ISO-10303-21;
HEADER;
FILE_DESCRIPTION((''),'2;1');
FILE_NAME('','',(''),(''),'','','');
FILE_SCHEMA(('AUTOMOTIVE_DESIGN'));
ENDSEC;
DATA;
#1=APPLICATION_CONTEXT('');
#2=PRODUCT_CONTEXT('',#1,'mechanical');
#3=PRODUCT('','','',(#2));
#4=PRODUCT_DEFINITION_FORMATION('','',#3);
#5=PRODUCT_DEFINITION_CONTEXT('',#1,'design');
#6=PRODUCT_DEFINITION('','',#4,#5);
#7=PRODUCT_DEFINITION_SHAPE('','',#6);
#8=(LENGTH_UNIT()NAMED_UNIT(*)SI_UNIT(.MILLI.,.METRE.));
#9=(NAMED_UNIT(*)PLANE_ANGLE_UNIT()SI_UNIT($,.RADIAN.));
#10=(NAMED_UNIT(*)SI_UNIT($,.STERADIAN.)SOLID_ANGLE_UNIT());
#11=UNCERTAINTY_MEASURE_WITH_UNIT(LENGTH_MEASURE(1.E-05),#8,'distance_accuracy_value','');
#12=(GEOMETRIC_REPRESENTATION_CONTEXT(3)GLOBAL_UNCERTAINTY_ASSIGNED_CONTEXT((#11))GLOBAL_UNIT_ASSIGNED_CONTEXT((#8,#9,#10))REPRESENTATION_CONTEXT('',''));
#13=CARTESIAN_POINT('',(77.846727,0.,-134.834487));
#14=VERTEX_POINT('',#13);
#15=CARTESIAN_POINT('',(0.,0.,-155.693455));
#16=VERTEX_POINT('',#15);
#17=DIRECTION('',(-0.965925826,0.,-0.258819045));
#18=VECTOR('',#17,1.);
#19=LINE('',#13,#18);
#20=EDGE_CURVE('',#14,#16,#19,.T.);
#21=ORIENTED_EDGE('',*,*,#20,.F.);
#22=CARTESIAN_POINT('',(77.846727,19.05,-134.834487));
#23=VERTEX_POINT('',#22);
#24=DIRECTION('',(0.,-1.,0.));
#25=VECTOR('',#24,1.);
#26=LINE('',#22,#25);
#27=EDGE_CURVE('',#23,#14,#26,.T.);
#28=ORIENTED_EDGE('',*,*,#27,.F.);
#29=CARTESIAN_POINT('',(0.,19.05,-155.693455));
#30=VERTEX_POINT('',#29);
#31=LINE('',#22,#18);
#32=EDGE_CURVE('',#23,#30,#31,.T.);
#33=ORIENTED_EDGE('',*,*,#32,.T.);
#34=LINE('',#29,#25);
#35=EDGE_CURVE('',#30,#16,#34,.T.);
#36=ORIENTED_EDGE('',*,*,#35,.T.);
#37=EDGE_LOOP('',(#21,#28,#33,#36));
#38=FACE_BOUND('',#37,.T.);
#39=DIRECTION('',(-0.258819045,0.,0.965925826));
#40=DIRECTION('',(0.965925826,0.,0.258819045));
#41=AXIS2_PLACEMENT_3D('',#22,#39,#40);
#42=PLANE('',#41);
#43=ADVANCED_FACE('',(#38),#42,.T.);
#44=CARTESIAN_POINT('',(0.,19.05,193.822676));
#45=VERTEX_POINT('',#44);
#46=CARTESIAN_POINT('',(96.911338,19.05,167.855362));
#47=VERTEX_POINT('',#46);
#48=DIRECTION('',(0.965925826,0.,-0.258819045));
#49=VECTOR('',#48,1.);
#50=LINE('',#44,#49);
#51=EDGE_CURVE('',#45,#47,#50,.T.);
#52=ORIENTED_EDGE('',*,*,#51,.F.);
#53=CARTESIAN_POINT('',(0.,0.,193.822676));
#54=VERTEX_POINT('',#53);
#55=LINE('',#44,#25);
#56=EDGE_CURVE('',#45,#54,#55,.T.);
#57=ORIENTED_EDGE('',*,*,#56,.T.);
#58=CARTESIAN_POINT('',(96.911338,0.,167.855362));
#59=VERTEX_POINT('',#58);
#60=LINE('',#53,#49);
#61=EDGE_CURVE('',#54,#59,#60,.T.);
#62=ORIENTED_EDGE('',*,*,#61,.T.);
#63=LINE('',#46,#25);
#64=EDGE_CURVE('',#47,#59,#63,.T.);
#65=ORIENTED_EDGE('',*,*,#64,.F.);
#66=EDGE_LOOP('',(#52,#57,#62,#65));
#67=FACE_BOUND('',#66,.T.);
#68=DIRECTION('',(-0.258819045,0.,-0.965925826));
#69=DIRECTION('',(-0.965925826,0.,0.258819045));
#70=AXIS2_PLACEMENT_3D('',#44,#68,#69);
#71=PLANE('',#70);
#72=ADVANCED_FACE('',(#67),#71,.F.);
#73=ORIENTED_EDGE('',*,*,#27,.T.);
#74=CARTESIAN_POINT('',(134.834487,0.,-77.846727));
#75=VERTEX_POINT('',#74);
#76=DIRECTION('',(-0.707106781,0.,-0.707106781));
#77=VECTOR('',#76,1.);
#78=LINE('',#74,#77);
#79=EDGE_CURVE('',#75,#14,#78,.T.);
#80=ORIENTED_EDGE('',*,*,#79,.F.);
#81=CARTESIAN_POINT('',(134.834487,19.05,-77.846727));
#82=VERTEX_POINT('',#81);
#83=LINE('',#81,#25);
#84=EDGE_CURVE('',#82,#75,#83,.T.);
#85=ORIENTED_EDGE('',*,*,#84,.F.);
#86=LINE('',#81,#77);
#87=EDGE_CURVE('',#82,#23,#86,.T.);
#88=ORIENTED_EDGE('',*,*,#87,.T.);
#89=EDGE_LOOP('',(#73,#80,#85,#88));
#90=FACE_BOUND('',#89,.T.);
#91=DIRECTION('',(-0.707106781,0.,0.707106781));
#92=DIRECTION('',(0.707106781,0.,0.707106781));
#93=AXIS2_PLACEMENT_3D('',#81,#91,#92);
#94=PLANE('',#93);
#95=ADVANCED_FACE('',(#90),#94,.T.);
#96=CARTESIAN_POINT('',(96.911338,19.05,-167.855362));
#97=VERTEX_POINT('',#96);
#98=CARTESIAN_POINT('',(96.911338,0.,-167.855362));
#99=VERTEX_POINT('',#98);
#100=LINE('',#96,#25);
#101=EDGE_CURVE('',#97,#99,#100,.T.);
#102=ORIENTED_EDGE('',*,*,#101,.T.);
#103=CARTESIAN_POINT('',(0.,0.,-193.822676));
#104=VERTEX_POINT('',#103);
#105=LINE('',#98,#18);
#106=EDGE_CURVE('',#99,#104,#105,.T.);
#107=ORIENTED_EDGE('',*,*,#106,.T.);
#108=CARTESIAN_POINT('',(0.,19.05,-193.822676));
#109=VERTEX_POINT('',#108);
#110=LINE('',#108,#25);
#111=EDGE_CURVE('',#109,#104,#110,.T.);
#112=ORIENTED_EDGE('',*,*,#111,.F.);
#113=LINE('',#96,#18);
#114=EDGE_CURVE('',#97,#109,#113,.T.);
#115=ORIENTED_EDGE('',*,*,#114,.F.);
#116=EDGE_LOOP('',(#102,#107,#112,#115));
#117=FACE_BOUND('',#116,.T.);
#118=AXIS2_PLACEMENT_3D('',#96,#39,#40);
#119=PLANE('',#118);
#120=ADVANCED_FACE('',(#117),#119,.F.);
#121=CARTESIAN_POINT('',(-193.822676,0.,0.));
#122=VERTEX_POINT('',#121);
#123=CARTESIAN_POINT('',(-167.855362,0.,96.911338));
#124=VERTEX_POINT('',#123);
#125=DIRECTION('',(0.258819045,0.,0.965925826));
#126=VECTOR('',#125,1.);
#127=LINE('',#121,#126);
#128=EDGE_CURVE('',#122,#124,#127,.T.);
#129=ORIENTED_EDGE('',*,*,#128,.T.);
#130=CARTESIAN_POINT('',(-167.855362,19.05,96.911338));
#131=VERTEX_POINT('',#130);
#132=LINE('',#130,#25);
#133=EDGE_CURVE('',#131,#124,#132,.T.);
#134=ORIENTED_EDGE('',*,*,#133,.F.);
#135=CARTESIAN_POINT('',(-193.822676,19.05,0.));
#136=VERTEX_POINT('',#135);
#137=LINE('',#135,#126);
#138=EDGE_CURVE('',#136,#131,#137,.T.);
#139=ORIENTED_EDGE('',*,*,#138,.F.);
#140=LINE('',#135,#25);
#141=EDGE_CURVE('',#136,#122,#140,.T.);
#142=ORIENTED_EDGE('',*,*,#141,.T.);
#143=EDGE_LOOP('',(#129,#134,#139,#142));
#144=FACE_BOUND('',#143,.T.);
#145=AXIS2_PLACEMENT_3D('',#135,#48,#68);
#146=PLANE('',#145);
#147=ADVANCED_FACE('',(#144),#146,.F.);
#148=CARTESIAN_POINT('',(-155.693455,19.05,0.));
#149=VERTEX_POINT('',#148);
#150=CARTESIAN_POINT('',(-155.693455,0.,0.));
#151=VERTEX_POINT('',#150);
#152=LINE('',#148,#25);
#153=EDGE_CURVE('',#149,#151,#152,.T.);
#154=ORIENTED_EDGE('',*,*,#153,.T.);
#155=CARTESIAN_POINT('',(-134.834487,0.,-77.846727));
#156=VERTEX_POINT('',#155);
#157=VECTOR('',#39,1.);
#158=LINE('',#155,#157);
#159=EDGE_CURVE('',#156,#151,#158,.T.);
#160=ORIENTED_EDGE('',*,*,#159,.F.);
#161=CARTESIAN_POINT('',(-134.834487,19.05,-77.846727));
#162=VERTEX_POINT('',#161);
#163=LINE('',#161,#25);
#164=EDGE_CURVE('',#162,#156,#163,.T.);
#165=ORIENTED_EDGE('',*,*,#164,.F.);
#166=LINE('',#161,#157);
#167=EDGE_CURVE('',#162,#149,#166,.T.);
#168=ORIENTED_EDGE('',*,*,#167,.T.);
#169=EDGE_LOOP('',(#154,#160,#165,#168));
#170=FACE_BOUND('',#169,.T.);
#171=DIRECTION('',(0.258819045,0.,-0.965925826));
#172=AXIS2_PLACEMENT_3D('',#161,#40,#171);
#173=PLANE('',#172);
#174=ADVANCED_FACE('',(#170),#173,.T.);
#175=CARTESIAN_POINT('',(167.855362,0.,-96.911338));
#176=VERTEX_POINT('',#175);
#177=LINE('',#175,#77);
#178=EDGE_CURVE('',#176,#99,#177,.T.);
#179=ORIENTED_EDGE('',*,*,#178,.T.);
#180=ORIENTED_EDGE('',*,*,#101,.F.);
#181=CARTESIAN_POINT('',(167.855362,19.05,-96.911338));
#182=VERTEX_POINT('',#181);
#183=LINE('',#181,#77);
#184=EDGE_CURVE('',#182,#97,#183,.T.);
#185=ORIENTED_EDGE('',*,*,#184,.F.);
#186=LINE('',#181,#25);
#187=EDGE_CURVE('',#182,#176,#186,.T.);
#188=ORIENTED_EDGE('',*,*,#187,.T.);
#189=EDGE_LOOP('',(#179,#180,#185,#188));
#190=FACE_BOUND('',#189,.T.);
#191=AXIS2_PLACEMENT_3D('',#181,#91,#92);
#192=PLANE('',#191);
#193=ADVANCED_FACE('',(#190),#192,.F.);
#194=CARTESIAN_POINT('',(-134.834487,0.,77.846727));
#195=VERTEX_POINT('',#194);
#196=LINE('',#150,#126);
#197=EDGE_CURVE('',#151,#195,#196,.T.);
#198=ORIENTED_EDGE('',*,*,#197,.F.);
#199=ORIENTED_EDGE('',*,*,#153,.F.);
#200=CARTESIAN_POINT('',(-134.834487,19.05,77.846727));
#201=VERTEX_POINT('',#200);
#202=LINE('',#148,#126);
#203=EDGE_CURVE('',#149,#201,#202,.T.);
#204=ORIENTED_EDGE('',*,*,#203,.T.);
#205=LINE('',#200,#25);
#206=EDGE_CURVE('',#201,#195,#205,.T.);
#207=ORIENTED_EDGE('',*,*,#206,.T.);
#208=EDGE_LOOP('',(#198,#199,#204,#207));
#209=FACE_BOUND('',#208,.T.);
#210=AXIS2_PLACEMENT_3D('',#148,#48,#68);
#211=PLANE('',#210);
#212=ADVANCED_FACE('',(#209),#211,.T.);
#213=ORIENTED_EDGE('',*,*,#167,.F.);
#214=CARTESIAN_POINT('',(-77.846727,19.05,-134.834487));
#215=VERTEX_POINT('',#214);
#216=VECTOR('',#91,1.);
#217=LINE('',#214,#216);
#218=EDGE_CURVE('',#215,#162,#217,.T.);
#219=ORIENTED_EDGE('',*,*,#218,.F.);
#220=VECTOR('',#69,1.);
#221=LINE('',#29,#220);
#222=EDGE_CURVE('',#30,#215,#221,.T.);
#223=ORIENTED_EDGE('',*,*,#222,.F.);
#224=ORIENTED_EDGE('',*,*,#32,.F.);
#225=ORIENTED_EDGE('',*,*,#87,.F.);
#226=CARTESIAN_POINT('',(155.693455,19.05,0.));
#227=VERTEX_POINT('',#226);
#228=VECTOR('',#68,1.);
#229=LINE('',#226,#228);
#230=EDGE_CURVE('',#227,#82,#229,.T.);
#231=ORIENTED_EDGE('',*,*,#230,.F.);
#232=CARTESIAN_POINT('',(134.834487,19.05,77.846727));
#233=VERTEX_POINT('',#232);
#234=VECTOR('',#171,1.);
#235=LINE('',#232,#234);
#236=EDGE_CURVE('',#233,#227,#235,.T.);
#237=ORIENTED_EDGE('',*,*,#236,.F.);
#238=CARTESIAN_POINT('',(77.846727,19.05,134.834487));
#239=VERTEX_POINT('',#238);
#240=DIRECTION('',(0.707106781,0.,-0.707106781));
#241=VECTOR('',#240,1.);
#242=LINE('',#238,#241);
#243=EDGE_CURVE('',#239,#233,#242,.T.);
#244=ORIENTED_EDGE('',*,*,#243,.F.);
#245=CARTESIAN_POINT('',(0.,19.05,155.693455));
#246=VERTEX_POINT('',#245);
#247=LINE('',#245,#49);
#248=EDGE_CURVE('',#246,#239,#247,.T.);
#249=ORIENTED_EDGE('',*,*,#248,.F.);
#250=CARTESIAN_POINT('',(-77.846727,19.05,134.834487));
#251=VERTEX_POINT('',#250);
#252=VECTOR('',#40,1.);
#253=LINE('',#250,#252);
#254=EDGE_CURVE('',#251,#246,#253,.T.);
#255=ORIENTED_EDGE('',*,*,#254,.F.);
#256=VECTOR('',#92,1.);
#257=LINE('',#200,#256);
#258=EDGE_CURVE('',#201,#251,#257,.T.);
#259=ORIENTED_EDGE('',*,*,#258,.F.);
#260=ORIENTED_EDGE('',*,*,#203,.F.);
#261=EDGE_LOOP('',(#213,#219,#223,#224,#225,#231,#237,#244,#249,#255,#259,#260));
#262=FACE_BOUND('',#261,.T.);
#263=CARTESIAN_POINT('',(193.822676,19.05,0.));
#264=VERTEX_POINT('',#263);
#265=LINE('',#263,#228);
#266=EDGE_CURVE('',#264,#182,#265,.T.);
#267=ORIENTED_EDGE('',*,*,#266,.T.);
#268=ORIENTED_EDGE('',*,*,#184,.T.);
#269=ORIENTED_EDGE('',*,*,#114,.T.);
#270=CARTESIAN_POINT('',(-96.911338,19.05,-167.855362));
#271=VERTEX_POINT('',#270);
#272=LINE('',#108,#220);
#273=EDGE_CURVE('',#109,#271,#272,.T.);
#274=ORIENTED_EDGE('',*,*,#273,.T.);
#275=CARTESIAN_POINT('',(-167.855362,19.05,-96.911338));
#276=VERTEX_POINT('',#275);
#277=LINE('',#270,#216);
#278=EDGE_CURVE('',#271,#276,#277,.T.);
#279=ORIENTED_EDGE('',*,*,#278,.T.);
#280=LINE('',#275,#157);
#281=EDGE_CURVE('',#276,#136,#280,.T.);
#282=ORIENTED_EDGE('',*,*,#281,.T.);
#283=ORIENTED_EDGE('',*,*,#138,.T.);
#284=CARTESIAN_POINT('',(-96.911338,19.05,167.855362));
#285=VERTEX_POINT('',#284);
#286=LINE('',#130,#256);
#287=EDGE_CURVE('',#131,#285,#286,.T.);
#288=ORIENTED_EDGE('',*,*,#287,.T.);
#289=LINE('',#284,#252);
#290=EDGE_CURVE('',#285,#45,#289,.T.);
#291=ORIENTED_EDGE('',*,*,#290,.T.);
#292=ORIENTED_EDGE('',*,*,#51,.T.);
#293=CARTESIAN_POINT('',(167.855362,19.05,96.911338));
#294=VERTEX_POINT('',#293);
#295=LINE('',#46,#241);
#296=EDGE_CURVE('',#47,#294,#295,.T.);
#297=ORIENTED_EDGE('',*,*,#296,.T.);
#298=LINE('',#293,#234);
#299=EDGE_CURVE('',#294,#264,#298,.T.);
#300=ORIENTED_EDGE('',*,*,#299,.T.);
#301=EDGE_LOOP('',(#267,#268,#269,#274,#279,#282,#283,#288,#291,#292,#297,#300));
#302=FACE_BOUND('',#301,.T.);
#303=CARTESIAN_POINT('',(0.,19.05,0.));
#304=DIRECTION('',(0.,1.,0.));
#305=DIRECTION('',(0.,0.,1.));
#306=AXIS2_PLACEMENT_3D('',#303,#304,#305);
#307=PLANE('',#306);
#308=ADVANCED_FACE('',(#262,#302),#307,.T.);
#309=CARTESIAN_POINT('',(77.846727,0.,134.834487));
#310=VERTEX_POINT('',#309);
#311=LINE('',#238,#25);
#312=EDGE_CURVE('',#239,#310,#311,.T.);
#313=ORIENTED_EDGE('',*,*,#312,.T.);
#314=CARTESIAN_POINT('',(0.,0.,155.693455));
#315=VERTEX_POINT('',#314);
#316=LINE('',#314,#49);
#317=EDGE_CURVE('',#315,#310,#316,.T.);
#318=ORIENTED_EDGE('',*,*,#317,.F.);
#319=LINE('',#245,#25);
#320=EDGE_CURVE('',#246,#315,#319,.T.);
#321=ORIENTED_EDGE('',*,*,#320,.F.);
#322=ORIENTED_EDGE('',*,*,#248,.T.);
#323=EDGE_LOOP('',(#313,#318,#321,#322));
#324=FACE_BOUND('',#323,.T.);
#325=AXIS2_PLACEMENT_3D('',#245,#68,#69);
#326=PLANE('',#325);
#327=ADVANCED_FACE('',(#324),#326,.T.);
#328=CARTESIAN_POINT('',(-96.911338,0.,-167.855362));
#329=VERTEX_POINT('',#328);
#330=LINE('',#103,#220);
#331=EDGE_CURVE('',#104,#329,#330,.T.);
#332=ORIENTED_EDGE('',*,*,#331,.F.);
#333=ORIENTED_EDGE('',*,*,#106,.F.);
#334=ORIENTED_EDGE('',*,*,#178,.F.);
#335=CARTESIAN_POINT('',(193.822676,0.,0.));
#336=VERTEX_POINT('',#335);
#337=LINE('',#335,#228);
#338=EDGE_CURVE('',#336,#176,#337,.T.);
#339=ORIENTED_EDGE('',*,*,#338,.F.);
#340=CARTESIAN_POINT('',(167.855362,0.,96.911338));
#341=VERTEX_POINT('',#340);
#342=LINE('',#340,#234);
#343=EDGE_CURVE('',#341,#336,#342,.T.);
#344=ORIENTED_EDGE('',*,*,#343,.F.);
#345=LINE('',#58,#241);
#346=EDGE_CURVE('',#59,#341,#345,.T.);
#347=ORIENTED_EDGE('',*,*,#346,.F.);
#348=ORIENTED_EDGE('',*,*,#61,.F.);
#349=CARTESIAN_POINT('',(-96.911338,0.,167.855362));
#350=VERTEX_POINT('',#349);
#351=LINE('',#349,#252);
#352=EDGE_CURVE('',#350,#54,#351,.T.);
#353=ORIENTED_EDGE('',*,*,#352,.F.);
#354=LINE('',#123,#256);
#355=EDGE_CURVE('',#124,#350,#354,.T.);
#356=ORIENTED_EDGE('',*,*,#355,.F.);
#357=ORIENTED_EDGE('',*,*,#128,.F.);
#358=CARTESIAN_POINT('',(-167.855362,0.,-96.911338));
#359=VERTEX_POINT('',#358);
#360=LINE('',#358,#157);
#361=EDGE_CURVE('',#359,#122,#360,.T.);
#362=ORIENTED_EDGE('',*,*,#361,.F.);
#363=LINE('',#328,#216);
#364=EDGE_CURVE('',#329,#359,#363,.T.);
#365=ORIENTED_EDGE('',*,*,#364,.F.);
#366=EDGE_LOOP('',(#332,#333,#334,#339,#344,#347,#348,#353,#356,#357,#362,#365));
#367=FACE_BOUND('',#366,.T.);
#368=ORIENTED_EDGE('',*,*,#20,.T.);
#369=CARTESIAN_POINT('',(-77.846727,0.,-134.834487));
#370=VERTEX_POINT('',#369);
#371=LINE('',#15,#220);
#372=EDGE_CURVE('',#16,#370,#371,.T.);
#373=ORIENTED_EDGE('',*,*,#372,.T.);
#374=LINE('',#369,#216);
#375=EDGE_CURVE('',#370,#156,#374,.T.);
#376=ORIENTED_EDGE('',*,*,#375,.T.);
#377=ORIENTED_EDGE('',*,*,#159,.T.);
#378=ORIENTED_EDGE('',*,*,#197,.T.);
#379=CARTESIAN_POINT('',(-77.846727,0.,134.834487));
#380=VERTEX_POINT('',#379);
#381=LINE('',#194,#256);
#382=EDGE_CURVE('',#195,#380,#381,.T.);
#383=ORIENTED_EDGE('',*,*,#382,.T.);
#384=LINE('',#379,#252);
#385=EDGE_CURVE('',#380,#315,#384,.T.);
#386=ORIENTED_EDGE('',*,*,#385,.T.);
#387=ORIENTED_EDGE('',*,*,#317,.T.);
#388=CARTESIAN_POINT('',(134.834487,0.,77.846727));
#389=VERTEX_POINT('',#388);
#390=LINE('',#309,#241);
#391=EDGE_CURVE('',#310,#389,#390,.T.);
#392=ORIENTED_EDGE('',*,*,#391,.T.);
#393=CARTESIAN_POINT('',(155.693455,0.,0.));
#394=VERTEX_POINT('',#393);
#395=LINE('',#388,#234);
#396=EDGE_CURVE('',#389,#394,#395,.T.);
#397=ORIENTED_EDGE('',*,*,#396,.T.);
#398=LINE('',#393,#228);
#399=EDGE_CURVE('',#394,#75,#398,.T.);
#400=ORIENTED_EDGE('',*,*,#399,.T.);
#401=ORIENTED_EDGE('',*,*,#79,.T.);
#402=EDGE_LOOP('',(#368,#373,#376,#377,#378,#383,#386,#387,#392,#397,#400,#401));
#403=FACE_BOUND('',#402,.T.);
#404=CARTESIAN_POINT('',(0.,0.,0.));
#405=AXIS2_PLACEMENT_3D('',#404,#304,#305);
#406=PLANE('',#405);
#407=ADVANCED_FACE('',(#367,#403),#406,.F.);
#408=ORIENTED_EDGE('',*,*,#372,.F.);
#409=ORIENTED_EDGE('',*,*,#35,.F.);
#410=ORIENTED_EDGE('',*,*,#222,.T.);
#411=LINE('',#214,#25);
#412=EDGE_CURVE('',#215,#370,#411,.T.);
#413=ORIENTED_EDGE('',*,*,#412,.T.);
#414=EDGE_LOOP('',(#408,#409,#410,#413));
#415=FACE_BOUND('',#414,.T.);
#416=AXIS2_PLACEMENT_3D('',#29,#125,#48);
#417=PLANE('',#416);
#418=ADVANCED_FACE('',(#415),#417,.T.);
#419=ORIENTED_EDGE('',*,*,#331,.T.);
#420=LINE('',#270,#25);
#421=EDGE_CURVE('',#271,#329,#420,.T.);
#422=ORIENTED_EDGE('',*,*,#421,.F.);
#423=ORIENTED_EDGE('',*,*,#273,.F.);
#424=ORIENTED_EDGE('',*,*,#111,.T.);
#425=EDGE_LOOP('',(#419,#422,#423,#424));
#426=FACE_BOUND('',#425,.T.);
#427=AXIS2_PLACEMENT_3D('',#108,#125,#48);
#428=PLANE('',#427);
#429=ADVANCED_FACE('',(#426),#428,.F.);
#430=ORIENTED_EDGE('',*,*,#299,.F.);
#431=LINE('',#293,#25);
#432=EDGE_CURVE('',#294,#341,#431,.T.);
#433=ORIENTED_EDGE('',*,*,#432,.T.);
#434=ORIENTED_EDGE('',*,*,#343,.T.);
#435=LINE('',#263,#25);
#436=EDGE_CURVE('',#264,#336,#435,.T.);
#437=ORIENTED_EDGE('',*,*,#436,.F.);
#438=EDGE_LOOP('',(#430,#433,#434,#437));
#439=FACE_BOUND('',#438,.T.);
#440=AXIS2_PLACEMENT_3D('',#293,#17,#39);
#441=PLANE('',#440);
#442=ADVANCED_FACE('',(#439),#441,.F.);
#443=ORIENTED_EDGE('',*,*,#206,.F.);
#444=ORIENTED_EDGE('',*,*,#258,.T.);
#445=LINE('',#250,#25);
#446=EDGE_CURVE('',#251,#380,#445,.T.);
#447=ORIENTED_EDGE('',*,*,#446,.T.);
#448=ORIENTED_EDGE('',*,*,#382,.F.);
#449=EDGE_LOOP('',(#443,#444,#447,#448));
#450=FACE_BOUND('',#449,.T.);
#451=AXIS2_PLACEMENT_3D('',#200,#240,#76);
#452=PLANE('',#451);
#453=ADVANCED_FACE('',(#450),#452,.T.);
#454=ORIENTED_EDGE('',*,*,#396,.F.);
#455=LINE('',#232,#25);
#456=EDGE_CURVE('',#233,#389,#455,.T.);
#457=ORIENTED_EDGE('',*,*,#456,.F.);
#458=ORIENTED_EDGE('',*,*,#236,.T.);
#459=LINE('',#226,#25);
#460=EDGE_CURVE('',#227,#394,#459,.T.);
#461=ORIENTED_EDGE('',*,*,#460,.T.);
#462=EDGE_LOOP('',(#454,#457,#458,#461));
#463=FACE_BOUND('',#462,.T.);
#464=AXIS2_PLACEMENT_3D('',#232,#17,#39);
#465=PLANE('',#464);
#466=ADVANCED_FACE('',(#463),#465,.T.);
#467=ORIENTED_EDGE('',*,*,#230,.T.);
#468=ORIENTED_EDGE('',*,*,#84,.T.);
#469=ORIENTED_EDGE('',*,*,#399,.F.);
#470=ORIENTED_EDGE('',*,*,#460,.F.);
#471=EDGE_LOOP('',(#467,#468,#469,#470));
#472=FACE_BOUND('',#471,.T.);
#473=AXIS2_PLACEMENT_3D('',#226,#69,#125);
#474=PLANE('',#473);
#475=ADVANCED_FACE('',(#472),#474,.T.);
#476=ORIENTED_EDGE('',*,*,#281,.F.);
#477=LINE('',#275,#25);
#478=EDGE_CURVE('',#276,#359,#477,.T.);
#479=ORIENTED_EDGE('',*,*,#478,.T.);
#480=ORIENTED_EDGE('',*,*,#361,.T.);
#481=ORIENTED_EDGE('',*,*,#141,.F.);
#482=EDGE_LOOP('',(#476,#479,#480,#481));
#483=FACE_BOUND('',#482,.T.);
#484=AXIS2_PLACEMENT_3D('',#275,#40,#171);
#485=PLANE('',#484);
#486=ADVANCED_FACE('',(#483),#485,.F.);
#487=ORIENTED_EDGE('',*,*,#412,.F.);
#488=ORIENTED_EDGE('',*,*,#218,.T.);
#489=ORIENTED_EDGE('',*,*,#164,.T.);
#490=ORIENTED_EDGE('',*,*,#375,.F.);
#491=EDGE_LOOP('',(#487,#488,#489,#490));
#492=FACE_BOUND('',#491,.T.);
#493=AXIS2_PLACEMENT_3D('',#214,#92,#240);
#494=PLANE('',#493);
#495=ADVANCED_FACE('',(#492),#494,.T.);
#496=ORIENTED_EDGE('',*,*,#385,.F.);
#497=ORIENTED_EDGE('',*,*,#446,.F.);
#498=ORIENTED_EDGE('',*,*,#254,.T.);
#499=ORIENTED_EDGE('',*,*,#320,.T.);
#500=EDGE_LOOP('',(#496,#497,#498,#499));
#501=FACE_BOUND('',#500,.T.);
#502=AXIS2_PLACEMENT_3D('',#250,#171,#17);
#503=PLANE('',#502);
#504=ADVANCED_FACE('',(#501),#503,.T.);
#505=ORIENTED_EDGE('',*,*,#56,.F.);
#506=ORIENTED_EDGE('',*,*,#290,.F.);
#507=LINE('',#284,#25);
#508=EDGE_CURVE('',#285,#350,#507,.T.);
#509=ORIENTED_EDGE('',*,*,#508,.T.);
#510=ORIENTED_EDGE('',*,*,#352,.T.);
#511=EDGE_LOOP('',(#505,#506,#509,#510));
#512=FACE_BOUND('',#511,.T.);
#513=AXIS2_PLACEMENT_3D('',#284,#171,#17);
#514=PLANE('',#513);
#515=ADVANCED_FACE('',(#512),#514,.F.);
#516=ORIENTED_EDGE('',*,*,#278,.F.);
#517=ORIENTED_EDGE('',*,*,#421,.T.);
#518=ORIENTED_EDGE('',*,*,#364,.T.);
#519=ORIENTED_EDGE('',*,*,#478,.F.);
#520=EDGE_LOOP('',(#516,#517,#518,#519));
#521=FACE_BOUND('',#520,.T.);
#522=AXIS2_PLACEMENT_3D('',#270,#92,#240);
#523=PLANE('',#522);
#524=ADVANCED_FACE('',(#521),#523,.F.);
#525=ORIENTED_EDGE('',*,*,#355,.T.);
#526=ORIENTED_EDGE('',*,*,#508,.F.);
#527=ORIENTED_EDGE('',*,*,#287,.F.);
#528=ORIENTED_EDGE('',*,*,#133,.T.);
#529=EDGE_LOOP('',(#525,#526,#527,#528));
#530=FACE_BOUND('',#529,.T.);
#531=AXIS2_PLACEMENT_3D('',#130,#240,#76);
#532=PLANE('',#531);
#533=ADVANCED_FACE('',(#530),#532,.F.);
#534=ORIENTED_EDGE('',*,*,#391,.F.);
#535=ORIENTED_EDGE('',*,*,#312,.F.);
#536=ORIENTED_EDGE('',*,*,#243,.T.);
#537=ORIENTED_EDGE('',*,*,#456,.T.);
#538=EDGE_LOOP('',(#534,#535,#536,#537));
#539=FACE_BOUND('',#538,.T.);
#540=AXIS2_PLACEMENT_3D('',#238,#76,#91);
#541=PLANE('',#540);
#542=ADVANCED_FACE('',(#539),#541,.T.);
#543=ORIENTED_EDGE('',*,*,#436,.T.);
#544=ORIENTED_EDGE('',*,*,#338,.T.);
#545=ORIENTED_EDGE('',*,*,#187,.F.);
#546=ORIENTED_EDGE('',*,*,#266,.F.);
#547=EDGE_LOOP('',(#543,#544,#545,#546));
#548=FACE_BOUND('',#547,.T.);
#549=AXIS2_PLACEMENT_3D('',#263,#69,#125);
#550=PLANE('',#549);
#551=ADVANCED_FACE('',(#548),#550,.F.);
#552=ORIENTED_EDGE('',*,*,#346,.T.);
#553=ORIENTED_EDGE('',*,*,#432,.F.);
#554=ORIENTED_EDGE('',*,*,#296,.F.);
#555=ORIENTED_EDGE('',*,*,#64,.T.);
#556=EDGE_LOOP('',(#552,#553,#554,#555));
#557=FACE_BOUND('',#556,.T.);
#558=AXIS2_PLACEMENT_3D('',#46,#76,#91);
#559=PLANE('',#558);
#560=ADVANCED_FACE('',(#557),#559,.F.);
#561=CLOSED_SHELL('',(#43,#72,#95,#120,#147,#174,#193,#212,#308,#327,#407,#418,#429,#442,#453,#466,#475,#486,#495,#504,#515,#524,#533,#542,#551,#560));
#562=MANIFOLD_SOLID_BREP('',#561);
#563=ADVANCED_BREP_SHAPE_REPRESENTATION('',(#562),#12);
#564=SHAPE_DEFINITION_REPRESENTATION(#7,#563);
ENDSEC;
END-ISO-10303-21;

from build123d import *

# Parameters (mm, degrees)
BOSS_EXTRUDE2_DEPTH = 19.05


with BuildPart() as part:
    # Sketch2 → Boss-Extrude2 (new body)
    with BuildSketch(Plane(origin=(0, 0, 0), x_dir=(1, 0, 0), z_dir=(0, 1, 0))):
        Polygon((-193.822676303, 0), (-167.855361508, -96.911338152), (-96.911338152, -167.855361508), (0, -193.822676303), (96.911338152, -167.855361508), (167.855361508, -96.911338152), (193.822676303, 0), (167.855361508, 96.911338152), (96.911338152, 167.855361508), (0, 193.822676303), (-96.911338152, 167.855361508), (-167.855361508, 96.911338152), align=None)
        Polygon((-155.693454579, 0), (-134.834486868, -77.846727289), (-77.846727289, -134.834486868), (0, -155.693454579), (77.846727289, -134.834486868), (134.834486868, -77.846727289), (155.693454579, 0), (134.834486868, 77.846727289), (77.846727289, 134.834486868), (0, 155.693454579), (-77.846727289, 134.834486868), (-134.834486868, 77.846727289), align=None, mode=Mode.SUBTRACT)
    extrude(amount=BOSS_EXTRUDE2_DEPTH)


solid = part.part
